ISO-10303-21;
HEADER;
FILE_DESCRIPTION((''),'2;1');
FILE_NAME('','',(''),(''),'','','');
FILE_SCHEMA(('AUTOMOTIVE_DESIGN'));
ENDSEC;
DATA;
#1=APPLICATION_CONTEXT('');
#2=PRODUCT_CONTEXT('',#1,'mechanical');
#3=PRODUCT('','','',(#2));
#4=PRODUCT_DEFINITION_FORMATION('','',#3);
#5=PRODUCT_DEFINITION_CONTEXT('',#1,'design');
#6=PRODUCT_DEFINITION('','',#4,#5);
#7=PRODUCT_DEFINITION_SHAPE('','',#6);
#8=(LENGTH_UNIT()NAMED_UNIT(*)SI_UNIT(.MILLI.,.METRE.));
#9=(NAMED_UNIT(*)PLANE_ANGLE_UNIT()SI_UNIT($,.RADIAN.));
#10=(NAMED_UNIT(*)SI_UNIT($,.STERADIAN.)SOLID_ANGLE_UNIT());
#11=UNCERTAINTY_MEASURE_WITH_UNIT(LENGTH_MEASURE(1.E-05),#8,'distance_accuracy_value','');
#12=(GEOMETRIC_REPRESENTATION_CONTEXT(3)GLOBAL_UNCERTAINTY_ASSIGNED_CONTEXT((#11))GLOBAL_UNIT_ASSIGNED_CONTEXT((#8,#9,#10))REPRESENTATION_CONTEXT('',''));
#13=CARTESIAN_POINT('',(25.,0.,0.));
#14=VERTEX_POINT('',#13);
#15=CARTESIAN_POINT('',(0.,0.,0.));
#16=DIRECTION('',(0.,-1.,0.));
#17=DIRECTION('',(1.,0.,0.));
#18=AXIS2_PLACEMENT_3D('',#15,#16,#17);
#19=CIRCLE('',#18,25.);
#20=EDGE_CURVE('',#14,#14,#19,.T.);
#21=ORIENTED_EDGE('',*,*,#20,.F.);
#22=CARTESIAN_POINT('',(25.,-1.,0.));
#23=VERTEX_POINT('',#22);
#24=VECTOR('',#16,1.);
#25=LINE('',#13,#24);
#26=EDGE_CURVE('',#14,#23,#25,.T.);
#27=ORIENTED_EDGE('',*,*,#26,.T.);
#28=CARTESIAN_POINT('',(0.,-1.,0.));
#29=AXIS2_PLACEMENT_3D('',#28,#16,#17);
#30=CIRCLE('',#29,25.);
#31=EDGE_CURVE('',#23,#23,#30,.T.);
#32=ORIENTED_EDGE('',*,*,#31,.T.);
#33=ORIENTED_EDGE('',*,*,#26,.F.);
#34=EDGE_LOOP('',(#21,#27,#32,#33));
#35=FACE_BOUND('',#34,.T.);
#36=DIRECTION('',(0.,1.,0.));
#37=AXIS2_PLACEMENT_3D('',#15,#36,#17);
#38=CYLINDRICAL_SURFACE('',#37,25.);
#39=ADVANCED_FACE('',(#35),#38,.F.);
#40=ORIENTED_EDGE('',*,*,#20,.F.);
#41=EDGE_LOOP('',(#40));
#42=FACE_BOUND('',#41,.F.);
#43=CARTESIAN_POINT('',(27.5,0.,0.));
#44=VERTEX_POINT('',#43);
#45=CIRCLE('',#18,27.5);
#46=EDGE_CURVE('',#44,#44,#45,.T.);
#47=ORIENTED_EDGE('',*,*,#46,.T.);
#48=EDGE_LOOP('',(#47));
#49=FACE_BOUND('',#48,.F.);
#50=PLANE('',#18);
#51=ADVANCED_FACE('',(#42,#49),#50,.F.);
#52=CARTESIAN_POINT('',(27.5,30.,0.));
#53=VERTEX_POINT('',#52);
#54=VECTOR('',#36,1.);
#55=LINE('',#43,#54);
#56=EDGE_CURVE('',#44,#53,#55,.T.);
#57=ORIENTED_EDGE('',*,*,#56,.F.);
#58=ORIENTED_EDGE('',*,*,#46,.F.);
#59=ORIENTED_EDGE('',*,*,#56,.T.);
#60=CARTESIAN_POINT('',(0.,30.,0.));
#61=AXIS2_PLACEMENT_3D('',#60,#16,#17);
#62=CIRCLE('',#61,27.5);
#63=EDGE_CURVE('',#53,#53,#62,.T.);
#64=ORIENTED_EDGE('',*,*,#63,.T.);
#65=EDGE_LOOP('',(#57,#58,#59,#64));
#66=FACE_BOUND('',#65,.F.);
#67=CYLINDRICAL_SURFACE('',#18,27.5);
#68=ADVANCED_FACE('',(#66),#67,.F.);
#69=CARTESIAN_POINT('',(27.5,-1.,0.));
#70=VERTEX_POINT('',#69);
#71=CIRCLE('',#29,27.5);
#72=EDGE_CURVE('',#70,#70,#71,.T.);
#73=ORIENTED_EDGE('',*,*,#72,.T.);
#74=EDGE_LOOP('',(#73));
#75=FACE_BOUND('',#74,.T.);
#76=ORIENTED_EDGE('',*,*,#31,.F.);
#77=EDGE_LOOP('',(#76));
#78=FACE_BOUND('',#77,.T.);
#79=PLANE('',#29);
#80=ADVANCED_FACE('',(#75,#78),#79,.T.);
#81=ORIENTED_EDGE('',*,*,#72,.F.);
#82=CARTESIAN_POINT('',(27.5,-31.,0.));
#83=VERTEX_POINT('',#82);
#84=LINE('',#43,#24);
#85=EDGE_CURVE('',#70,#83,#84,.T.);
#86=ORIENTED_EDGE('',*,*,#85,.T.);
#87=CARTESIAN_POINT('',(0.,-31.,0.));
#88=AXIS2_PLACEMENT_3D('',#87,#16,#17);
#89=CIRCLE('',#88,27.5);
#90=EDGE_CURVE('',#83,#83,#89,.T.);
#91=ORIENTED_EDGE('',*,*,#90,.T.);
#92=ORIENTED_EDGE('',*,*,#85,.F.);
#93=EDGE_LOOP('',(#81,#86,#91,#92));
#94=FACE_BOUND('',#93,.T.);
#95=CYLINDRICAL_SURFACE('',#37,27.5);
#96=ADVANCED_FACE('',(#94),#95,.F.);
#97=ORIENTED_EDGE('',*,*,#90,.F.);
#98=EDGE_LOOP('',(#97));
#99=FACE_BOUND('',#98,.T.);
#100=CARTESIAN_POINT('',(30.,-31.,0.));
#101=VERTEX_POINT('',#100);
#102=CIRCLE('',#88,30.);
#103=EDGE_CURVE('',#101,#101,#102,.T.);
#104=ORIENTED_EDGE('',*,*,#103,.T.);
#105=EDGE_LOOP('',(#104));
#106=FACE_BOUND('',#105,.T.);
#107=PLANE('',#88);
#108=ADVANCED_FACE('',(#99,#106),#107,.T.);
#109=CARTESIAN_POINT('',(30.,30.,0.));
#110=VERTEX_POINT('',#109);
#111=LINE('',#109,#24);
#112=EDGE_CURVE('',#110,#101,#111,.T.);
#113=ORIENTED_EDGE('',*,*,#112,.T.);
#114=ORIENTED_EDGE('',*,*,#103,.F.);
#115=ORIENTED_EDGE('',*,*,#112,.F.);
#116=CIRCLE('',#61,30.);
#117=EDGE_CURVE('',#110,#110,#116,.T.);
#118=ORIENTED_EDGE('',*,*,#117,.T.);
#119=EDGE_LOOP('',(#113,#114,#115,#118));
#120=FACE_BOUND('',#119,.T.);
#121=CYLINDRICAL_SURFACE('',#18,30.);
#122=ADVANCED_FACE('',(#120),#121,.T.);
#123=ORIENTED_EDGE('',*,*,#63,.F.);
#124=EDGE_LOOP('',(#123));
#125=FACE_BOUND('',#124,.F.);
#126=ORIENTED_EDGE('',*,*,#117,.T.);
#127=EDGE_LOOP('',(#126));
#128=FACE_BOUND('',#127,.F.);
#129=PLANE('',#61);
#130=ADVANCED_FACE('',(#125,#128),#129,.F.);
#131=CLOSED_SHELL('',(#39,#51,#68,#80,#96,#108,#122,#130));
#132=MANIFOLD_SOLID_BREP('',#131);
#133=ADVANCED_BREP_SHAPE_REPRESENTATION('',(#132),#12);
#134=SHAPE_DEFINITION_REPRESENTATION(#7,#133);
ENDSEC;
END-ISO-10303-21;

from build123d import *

# Parameters (mm, degrees)
F0_R     = 30
F0_R_2   = 27.5
F1_DEPTH = 31
F0_R_3   = 25
F2_DEPTH = 1
F3_DEPTH = 30


with BuildPart() as f1:
    # F0 (on Front) → F1 (new body)
    with BuildSketch(Plane.XZ):
        Circle(F0_R)
        Circle(F0_R_2, mode=Mode.SUBTRACT)
    extrude(amount=F1_DEPTH)

    # F0 (on Front) → F2 (join)
    with BuildSketch(Plane.XZ):
        Circle(F0_R_2)
        Circle(F0_R_3, mode=Mode.SUBTRACT)
    extrude(amount=F2_DEPTH)

    # F0 (on Front) → F3 (join)
    with BuildSketch(Plane.XZ):
        Circle(F0_R)
        Circle(F0_R_2, mode=Mode.SUBTRACT)
    extrude(amount=-F3_DEPTH)


solid = f1.part
